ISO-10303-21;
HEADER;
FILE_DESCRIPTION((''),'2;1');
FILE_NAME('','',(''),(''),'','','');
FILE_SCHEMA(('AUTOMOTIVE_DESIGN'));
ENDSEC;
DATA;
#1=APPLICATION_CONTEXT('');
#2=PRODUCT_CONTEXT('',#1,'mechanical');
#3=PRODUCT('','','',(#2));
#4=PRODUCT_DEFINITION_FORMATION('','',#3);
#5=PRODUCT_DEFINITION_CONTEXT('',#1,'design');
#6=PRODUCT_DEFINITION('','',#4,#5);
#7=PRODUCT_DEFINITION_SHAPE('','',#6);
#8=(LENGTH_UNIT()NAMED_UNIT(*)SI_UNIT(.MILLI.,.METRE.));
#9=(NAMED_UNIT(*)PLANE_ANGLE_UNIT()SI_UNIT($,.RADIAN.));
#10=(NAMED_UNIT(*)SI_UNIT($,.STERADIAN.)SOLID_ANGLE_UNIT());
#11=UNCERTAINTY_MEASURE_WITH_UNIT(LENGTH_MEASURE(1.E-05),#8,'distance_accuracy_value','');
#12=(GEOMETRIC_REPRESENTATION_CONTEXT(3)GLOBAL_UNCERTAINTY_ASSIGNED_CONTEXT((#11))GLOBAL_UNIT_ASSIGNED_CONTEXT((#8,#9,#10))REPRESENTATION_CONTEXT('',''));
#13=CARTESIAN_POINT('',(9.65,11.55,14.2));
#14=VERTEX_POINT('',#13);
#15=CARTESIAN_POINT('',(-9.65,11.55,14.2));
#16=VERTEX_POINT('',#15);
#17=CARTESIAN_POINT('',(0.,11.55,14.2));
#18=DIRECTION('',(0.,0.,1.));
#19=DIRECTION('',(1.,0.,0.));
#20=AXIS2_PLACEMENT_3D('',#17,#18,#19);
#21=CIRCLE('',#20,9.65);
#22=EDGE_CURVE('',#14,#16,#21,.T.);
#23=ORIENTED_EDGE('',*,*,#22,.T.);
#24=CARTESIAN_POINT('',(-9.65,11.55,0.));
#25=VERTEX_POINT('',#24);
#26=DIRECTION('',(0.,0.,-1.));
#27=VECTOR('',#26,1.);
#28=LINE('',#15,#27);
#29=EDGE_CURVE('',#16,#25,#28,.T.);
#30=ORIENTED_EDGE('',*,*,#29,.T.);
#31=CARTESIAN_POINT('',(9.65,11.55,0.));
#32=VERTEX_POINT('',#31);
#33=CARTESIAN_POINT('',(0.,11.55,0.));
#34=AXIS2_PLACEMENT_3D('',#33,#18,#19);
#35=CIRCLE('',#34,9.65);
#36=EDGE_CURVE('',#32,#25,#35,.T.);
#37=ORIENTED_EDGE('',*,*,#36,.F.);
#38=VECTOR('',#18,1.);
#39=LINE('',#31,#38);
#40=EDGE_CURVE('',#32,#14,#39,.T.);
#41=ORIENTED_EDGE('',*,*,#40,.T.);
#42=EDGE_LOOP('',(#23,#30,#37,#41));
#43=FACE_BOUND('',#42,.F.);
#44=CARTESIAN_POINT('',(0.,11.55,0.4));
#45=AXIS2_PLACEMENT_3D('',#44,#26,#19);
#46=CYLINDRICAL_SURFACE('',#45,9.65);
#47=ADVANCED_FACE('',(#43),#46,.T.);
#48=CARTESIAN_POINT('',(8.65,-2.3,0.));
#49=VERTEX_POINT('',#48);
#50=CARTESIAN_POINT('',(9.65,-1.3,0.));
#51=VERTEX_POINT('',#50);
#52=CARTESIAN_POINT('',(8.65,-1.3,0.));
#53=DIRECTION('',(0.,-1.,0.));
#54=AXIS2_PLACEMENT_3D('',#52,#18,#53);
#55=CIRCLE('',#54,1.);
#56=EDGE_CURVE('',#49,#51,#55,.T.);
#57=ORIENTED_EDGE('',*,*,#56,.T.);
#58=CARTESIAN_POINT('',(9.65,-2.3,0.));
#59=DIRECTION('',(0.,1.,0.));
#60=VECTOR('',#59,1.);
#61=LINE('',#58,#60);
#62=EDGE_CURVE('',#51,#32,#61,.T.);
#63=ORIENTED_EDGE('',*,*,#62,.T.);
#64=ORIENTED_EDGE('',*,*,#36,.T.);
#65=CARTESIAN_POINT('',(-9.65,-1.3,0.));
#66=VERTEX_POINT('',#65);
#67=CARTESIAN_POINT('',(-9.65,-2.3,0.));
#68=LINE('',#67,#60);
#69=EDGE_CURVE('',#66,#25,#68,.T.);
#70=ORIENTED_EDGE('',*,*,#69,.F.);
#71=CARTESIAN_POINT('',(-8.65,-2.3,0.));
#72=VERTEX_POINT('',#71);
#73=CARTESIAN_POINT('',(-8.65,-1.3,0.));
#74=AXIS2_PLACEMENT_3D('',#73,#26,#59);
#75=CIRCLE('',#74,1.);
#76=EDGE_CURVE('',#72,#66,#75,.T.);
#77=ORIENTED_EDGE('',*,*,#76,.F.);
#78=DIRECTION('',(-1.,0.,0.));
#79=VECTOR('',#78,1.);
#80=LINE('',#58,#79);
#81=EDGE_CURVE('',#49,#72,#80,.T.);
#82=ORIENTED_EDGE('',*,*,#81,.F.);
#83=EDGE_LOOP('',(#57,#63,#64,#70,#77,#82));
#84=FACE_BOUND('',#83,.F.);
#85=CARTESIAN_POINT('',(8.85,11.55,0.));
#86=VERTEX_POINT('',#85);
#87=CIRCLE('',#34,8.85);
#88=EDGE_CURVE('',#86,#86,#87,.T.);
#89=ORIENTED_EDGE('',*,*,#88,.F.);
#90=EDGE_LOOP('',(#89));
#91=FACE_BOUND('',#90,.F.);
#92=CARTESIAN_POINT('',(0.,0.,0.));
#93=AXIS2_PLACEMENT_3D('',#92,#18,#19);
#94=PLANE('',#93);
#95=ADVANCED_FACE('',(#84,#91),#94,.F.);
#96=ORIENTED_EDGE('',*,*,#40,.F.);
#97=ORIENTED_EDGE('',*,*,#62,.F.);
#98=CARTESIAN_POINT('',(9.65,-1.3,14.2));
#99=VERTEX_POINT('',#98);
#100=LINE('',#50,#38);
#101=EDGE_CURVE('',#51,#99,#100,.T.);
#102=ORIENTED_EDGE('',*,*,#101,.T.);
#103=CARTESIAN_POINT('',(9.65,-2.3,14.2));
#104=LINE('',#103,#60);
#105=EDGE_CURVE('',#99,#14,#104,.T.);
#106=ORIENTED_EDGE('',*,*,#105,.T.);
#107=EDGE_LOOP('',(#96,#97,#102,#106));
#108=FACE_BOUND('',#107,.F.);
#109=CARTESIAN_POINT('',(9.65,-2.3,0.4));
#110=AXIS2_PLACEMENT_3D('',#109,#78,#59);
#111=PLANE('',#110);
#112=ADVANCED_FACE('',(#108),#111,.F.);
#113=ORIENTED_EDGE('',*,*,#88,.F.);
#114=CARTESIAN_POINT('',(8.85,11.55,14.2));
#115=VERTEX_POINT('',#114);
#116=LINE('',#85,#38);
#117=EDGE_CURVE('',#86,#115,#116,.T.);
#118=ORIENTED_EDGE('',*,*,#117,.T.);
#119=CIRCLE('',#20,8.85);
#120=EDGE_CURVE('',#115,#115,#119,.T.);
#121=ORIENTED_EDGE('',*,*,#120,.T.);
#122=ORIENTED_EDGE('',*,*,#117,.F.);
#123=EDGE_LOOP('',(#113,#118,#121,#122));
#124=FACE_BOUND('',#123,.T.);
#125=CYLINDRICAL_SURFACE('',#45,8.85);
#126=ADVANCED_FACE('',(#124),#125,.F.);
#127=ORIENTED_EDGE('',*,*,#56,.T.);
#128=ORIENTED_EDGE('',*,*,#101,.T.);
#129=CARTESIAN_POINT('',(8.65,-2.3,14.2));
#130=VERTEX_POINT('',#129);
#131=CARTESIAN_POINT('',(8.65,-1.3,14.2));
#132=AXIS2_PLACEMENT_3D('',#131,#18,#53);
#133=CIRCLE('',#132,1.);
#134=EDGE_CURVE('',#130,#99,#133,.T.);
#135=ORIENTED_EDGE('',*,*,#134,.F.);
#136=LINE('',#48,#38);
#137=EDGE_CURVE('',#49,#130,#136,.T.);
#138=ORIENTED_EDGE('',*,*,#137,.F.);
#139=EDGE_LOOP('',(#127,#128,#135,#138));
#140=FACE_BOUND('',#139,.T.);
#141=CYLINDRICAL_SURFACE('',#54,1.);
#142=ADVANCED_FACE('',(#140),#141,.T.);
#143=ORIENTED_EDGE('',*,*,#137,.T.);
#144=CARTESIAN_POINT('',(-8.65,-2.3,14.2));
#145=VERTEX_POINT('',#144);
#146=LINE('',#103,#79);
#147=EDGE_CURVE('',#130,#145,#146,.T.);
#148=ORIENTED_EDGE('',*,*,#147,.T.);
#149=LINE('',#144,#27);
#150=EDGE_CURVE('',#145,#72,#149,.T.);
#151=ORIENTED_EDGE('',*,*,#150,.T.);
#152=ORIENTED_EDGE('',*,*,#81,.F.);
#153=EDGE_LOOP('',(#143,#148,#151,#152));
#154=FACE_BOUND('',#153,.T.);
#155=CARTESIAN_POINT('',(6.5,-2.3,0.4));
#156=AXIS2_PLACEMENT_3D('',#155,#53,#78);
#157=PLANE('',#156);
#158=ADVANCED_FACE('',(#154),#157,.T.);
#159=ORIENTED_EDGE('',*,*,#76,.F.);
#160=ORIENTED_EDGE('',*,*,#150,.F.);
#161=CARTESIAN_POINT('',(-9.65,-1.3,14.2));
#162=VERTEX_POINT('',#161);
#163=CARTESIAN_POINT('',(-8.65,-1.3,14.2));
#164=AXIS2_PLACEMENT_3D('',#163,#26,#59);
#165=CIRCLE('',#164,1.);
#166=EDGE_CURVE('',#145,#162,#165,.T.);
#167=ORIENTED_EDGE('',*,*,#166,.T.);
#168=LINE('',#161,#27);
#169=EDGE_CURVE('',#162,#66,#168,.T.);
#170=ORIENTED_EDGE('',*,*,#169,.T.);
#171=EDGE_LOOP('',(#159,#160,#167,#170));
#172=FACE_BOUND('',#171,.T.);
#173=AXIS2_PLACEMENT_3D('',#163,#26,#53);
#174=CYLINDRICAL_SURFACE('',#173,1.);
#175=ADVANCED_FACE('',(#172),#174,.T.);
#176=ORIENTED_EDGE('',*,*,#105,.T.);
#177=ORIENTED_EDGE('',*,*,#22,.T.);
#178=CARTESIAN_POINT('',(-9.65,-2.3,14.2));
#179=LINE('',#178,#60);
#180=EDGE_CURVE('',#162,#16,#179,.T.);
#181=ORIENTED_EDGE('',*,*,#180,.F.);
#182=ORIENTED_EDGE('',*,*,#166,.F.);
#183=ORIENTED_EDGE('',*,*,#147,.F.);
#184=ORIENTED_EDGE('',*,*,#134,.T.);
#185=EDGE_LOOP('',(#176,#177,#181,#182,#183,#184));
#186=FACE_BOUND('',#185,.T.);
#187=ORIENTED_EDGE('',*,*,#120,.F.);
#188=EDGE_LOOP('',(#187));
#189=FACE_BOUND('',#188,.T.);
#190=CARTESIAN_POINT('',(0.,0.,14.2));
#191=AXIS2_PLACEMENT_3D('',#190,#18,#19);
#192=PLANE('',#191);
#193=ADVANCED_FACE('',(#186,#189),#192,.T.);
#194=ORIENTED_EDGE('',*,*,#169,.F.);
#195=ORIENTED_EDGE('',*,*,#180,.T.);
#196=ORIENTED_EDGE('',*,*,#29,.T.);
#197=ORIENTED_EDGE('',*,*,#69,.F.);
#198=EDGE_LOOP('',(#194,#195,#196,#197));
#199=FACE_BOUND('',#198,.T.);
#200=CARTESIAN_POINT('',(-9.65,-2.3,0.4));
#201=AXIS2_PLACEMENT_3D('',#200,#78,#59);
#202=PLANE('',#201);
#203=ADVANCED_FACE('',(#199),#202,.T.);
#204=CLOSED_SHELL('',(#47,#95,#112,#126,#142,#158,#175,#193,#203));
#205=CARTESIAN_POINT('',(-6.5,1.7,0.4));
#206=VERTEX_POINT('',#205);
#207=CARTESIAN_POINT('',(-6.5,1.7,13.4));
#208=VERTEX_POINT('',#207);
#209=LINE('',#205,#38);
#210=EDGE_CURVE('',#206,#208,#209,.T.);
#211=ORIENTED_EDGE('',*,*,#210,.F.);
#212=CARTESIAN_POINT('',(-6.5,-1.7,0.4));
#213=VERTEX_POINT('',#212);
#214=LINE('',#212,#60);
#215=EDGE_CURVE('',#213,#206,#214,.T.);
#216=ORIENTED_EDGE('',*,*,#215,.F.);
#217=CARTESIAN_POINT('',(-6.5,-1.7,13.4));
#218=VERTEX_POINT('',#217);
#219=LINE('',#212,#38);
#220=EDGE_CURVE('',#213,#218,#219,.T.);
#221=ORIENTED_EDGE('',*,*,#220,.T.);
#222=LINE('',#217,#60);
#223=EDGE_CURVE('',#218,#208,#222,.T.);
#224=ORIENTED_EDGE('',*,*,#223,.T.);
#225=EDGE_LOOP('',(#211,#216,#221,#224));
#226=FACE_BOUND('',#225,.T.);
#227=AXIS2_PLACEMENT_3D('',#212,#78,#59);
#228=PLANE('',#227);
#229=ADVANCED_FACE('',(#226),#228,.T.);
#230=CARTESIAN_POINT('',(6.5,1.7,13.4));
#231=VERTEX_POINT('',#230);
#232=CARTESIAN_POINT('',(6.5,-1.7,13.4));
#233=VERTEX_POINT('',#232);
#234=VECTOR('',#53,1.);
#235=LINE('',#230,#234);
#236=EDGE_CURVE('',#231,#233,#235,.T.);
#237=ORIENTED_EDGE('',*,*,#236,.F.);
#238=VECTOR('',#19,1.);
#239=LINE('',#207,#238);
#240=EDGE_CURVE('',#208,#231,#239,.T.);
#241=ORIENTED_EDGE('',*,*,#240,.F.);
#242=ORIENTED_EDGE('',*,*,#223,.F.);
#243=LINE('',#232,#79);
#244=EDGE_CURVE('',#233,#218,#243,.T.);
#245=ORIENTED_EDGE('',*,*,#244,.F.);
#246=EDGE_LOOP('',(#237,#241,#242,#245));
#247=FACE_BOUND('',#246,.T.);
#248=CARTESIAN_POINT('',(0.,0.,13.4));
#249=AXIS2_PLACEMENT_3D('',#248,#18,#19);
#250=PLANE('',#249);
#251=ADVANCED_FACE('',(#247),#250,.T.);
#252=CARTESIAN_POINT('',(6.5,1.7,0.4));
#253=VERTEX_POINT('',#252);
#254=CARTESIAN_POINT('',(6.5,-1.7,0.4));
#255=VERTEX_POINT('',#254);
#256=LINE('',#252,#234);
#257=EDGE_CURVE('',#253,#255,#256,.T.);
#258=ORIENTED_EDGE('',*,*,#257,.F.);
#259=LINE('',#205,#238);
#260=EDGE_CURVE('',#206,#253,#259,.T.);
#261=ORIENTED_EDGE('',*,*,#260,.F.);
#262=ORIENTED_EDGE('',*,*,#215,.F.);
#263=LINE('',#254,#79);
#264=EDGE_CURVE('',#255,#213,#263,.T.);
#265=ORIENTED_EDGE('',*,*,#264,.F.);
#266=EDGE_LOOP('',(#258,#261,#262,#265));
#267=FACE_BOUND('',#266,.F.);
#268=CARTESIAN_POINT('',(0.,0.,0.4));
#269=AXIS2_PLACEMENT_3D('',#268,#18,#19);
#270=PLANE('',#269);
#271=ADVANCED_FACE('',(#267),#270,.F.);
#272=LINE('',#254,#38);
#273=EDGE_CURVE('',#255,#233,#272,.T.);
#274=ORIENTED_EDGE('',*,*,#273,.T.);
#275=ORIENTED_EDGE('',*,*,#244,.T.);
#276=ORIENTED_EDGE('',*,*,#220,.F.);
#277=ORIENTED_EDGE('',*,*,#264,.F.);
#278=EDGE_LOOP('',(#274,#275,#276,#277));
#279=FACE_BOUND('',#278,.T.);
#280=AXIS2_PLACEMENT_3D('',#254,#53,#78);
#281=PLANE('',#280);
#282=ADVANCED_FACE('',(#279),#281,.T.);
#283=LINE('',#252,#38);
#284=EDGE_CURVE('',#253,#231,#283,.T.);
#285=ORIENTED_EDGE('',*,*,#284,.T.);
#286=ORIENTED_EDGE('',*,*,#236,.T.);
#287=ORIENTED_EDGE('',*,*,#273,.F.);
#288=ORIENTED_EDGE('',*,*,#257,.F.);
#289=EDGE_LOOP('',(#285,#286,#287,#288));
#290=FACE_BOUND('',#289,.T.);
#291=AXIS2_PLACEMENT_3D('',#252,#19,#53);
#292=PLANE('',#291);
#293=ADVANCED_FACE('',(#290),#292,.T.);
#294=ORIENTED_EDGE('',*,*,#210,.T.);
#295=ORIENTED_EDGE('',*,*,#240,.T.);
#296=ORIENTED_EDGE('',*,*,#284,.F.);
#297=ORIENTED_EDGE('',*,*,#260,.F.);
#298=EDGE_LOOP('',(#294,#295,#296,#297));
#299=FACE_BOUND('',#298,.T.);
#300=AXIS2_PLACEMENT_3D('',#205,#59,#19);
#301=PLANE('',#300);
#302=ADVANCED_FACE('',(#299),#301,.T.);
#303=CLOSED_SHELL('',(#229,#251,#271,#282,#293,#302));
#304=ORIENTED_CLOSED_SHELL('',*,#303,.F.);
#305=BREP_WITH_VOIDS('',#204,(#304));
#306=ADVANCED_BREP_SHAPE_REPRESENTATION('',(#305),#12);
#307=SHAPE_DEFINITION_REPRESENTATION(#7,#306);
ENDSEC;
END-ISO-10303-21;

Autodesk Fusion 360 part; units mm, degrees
sketch "Sketch1" plane through (0, 0, 0) normal (0, 0, 1) x (1, 0, 0)
  line L0 (6.5, -1.7) -> (-6.5, -1.7)
  line L1 (-6.5, -1.7) -> (-6.5, 1.7)
  line L2 (-6.5, 1.7) -> (6.5, 1.7)
  line L3 (6.5, 1.7) -> (6.5, -1.7)
  line L4 (6.5, -1.7) -> (-6.5, 1.7) construction
  line L5 (-6.5, -1.7) -> (6.5, 1.7) construction
  line L6 (6.5, -2.3) -> (-6.5, -2.3)
  line L7 (6.5, -2.3) -> (9.65, -2.3)
  circle A0 centre (0, 11.55) radius 8.85
  line L8 (9.65, -2.3) -> (9.65, 11.55)
  line L9 (0, 2.5) -> (0, 20)
  line L10 (-6.5, -2.3) -> (-9.65, -2.3)
  line L11 (-9.65, -2.3) -> (-9.65, 11.55)
  arc A1 (9.65, 11.55) -> (-9.65, 11.55) centre (0, 11.55) ccw
  dimension "d1" = 13
  dimension "d2" = 3.4
  dimension "d3" = -0.6
  dimension "d4" = 17.7
  dimension "d5" = 1
  dimension "d6" = 0.8
extrude "Extrude1" add sketch "Sketch1" along normal blind 0.4 contours L0 L1 L2 L3 | L6 L7 L8 L10 L11 A1
extrude "Extrude2" add sketch "Sketch1" along normal blind 13 from surface at 0.4
extrude "Extrude3" add sketch "Sketch1" along normal blind 0.8 from surface at 13.4 contours L0 L1 L2 L3 | L6 L7 L8 L10 L11 A1
fillet "Fillet1" radius 1 2 edges at (9.65, -2.3, 7.1) (-9.65, -2.3, 7.1)
